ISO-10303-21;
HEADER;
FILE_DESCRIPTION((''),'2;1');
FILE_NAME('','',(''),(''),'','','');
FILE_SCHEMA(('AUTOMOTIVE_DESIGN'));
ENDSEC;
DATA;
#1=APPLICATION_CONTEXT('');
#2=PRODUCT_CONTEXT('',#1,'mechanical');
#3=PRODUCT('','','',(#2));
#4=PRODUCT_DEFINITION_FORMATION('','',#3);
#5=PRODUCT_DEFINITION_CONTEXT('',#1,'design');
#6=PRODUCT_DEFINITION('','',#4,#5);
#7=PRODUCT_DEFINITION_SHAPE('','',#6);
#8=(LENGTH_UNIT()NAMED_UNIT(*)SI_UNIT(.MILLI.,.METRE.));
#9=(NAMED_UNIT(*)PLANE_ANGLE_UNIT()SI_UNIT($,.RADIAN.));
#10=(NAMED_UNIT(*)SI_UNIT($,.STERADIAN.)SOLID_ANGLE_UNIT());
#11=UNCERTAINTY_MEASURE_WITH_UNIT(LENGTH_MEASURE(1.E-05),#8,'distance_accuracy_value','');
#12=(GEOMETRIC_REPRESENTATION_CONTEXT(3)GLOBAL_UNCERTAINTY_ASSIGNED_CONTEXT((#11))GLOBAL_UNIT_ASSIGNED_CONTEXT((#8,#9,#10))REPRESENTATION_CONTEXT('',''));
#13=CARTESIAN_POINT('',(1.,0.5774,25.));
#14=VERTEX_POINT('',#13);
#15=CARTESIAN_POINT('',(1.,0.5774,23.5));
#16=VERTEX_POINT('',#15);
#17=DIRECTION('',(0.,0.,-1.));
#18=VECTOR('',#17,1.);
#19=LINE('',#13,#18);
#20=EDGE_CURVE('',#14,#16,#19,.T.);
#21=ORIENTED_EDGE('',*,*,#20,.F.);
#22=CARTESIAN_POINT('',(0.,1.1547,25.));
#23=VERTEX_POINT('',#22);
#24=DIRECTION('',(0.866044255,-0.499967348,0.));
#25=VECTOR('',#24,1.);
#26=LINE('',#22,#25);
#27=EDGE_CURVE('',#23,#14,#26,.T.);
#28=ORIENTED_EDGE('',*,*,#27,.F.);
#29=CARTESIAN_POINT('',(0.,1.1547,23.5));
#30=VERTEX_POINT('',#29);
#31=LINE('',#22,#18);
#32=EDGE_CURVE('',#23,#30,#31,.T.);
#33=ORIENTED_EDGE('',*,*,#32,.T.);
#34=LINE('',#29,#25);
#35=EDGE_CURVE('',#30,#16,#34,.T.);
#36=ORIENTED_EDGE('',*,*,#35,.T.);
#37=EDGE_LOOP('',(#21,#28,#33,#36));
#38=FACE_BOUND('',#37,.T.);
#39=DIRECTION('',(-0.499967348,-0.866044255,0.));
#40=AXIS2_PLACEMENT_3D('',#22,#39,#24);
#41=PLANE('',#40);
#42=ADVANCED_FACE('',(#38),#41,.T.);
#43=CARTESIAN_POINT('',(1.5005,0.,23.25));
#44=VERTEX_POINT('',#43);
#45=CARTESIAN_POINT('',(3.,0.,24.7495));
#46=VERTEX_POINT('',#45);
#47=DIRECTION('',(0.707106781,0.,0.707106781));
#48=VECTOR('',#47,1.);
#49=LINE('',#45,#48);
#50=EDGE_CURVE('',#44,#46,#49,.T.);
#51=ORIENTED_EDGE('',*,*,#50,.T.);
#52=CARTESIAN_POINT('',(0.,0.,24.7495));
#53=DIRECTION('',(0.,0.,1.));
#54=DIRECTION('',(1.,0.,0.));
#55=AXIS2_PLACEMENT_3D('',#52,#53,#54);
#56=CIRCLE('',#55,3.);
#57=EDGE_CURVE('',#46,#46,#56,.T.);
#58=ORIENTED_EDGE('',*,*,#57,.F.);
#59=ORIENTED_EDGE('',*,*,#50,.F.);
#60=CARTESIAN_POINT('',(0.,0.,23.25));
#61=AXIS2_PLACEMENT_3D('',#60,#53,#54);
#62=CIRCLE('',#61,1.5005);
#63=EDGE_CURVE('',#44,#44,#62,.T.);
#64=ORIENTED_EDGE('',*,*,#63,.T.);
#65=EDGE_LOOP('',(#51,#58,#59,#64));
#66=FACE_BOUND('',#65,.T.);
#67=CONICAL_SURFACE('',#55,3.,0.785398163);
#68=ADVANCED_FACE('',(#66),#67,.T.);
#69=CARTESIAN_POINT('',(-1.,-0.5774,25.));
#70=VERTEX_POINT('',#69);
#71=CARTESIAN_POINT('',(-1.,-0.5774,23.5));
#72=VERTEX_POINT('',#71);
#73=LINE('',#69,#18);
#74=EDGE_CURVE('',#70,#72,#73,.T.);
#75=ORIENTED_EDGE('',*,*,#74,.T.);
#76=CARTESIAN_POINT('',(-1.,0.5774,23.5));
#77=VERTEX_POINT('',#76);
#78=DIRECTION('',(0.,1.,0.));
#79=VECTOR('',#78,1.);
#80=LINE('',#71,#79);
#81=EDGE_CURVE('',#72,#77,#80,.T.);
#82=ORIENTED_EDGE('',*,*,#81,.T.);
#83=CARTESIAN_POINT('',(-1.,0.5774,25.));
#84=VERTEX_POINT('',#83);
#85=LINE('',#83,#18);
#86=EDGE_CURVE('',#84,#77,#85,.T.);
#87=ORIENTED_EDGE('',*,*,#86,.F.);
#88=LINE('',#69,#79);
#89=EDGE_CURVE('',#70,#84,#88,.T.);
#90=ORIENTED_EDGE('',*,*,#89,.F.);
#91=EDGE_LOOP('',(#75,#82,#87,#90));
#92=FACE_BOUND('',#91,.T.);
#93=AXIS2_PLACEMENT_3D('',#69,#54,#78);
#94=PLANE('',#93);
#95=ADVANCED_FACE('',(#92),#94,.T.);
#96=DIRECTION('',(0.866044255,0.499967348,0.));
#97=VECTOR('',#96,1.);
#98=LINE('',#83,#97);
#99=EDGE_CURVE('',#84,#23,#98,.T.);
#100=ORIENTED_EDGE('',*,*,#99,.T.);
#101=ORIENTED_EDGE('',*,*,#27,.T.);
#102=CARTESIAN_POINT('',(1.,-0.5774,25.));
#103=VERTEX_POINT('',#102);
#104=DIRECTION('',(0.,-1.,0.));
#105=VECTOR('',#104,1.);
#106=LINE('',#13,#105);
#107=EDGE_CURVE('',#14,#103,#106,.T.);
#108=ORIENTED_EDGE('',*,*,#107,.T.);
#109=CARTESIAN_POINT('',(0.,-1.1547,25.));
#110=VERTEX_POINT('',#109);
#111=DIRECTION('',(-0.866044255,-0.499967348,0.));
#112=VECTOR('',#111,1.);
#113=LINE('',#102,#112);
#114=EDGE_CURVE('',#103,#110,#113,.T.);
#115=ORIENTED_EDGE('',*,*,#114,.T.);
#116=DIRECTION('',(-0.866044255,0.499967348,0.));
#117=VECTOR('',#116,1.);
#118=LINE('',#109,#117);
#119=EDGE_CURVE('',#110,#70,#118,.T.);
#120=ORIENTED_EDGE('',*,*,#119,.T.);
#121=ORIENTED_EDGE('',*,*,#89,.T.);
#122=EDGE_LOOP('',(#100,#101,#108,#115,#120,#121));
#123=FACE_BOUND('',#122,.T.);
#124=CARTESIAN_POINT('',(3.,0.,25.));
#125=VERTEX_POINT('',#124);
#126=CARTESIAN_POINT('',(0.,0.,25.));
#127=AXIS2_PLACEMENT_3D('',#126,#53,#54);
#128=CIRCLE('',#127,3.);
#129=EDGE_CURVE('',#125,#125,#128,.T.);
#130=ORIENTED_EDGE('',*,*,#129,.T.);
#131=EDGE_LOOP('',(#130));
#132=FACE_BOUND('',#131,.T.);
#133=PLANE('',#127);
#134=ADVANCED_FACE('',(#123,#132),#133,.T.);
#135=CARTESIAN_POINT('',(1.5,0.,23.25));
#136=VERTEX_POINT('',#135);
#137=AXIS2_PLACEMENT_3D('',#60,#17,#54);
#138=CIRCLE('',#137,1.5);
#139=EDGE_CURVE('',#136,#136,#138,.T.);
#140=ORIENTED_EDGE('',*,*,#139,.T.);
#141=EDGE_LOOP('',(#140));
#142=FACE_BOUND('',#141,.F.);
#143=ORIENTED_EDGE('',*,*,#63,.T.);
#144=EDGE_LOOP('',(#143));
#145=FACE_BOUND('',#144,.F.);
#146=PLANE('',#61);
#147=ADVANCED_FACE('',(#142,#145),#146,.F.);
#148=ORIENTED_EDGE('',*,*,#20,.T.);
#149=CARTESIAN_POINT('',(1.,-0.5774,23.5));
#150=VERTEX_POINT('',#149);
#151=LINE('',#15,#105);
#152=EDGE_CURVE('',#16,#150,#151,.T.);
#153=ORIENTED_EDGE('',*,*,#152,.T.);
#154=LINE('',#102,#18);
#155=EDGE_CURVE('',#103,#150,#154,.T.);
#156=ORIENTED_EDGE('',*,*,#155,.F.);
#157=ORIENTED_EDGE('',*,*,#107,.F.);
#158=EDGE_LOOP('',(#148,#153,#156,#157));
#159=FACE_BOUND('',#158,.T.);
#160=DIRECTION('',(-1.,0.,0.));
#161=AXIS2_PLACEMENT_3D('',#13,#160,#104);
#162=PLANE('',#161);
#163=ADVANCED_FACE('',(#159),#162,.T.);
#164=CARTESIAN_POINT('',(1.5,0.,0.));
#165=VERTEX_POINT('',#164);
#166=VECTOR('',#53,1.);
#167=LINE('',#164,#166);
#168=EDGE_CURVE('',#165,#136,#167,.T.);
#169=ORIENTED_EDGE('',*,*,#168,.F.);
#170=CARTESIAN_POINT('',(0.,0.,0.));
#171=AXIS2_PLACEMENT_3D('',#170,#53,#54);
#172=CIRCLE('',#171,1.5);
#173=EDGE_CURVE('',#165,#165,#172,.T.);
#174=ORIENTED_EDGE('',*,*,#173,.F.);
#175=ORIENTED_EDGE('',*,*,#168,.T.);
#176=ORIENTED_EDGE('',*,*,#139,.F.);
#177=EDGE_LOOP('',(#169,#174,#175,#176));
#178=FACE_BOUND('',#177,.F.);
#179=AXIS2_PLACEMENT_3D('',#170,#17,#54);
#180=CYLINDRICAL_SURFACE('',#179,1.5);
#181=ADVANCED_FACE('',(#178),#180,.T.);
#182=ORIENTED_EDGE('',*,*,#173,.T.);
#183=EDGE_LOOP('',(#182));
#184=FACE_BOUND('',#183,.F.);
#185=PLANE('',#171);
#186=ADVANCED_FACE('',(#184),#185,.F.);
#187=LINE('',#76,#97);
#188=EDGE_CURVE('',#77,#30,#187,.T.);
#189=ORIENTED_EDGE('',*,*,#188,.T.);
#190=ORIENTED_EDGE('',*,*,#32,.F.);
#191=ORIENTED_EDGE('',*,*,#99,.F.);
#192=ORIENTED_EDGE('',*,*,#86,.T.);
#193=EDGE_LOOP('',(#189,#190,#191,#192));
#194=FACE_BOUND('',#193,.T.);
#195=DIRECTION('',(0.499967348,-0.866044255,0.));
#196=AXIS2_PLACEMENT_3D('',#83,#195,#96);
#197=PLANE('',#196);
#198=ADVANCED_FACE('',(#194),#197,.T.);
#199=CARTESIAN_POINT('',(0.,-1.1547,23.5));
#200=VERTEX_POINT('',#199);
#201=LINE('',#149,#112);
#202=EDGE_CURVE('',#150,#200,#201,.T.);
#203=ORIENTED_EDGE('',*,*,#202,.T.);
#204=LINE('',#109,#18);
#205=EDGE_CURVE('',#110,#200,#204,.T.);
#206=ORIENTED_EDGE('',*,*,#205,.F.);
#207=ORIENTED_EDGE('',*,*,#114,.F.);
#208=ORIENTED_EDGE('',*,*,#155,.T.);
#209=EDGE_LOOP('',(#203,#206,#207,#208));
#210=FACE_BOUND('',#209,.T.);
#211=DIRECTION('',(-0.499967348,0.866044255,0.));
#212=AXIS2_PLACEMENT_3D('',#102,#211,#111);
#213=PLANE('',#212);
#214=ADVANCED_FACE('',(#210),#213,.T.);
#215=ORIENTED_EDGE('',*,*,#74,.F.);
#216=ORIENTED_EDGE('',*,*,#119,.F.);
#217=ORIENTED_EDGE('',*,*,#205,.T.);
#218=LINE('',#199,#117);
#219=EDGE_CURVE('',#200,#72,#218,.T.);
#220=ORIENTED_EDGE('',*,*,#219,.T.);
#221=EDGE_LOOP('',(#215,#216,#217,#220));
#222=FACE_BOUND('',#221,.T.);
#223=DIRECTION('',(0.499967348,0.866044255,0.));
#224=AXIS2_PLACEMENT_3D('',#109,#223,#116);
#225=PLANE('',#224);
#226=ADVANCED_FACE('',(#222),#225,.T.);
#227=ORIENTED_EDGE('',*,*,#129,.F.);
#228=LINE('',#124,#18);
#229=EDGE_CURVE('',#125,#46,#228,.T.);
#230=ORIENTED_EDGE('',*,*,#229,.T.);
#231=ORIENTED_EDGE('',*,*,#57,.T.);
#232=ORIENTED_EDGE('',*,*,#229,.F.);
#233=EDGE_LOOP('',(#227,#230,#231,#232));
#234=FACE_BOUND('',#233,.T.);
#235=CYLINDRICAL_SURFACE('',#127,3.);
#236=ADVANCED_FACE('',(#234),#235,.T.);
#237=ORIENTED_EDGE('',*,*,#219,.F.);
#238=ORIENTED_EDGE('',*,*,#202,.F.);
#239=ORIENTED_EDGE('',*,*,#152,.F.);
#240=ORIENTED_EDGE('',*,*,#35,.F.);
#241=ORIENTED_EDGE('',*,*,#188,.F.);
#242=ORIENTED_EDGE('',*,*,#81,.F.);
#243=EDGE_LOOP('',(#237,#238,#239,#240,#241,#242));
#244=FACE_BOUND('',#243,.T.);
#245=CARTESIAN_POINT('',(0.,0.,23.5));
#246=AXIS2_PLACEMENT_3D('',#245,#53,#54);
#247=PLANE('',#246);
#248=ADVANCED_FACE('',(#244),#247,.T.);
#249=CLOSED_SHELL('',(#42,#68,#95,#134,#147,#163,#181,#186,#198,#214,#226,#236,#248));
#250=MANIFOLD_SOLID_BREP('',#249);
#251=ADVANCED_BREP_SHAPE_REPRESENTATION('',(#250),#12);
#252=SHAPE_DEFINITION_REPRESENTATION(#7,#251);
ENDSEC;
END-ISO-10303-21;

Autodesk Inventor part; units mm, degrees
ref_plane "YZ Plane" through (0, 0, 0) normal (1, 0, 0) x (0, 1, 0)
ref_plane "XZ Plane" through (0, 0, 0) normal (0, 1, 0) x (-1, 0, 0)
ref_plane "XY Plane" through (0, 0, 0) normal (0, 0, 1) x (1, 0, 0)
sketch "スケッチ1" plane through (0, 0, 0) normal (0, 0, 1) x (1, 0, 0)
  circle A0 centre (0, 0) radius 1.5
  dimension "d0" = 3
extrude "押し出し1" add sketch "スケッチ1" along normal blind 25
thread "ねじ1" size "M3x0.5" class "6g" standard "ANSI Metric M Profile" full length
sketch "スケッチ2" plane through (0, 0, 25) normal (0, 0, 1) x (1, 0, 0)
  circle A0 centre (0, 0) radius 3
  dimension "d5" = 6
extrude "押し出し2" add sketch "スケッチ2" against normal blind 1.75
chamfer "面取り1" distance 1.5 angle 45 1 edges at (-3, 0, 23.25)
sketch "スケッチ3" plane through (0, 0, 25) normal (0, 0, 1) x (1, 0, 0)
  line L0 (0, 1.1547) -> (1, 0.5774)
  line L1 (1, 0.5774) -> (1, -0.5774)
  line L2 (1, -0.5774) -> (0, -1.1547)
  line L3 (0, -1.1547) -> (-1, -0.5774)
  line L4 (-1, -0.5774) -> (-1, 0.5774)
  line L5 (-1, 0.5774) -> (0, 1.1547)
  point P0 (0, 0)
  point P1 (0, 0)
  dimension "d11" = 2
extrude "押し出し3" cut sketch "スケッチ3" against normal blind 1.5
properties part number "m3皿ネジ15" material "鉄 灰色"
